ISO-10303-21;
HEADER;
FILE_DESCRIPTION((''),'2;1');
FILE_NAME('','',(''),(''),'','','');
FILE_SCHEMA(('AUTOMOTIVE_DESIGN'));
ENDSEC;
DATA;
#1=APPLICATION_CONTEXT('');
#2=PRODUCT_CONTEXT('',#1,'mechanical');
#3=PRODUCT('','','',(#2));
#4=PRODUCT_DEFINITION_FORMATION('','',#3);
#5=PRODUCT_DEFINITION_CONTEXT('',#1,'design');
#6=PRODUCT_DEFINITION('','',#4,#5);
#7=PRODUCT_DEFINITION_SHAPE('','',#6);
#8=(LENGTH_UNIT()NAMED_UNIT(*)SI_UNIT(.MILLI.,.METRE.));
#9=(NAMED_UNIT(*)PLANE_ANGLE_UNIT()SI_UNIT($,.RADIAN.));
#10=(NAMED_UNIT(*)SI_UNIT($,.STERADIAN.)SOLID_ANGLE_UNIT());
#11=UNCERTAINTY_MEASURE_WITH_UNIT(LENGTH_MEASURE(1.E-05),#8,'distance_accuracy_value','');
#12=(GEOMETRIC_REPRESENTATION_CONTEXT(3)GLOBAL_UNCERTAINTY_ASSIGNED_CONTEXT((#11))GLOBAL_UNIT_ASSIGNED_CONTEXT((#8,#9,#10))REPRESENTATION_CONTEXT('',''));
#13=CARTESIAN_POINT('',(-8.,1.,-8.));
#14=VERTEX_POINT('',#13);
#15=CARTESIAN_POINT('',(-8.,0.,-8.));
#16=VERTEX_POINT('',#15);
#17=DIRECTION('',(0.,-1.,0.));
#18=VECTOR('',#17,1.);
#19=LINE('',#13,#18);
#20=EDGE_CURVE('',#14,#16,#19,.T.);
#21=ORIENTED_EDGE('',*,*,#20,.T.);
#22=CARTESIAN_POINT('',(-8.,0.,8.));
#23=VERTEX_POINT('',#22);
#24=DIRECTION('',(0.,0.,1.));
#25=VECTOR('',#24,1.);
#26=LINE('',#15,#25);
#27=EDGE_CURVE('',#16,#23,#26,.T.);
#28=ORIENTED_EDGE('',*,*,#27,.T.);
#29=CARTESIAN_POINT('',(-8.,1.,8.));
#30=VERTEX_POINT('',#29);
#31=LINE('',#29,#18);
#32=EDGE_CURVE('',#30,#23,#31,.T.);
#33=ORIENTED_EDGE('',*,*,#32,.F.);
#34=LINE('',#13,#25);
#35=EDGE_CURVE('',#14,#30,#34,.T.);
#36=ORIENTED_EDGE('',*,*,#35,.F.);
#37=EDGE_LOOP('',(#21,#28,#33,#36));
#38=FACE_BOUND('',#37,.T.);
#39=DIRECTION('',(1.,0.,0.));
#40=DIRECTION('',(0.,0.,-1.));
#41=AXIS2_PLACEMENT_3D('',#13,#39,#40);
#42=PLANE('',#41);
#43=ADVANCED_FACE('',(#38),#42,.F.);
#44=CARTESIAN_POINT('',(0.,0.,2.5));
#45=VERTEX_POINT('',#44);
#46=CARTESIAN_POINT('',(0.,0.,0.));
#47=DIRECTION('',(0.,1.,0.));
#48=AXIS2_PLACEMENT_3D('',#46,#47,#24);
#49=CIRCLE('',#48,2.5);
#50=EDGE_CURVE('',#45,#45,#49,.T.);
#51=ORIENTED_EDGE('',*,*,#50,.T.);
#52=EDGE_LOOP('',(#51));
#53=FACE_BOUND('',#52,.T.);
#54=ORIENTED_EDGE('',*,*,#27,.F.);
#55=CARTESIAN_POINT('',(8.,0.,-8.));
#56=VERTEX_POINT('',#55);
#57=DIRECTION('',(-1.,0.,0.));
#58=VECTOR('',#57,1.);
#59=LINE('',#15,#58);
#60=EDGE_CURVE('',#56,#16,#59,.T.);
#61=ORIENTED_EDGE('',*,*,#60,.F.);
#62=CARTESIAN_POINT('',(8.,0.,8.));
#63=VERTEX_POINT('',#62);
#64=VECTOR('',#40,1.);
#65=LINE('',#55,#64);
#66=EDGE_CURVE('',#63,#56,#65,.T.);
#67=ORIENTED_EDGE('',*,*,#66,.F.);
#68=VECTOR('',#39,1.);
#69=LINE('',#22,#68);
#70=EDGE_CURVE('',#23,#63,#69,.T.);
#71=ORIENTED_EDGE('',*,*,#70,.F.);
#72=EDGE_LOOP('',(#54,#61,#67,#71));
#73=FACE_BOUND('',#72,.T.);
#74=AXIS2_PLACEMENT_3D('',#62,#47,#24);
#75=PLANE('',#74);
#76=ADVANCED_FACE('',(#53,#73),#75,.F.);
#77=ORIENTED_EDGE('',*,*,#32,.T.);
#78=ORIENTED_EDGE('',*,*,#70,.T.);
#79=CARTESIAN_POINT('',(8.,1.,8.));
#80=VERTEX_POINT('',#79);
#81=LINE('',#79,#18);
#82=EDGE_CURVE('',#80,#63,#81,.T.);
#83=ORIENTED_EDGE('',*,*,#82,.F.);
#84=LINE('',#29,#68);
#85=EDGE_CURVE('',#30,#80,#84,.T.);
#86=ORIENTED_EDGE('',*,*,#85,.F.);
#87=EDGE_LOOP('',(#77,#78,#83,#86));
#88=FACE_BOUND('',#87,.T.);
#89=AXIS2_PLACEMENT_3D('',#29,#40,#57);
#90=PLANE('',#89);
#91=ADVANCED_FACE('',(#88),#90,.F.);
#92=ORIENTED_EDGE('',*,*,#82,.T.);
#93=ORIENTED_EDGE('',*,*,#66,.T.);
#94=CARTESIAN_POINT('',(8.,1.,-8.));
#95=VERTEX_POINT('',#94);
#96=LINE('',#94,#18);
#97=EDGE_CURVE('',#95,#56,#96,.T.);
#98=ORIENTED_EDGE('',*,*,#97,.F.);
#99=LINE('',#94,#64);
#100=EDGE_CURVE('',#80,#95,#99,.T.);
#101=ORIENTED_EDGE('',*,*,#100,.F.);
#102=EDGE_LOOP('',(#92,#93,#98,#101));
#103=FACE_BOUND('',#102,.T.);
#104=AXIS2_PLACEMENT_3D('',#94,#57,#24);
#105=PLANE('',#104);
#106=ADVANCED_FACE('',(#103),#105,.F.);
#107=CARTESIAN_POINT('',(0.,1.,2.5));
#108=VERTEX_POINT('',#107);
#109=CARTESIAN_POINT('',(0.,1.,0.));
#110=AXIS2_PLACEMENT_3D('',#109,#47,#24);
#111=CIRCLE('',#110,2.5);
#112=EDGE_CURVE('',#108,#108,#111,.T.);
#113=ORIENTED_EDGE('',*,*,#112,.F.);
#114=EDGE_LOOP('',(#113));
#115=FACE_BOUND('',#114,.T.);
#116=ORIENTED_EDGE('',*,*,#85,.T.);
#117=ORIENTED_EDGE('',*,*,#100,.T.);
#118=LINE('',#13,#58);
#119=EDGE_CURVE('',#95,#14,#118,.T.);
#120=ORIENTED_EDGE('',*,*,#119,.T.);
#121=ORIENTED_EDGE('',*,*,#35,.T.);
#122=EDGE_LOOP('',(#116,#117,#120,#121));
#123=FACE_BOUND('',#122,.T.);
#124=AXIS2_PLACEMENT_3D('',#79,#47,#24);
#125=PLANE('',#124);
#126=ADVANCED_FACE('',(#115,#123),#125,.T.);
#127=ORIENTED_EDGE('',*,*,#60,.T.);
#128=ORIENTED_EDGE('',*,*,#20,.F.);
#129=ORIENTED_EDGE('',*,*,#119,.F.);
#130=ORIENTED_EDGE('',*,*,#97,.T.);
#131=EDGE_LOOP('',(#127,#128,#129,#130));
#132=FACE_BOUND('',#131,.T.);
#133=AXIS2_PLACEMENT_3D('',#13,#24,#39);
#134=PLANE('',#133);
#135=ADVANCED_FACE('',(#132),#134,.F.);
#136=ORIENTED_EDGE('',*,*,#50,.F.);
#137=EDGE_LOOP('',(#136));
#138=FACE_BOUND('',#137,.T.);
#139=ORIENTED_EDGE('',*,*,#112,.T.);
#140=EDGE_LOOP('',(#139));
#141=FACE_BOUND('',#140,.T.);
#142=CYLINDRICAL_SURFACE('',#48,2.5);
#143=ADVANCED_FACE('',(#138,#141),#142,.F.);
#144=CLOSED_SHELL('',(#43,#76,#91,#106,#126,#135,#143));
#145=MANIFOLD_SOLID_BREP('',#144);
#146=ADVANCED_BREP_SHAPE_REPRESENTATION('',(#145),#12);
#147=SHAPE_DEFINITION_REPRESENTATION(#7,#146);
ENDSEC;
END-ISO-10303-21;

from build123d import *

# Parameters (mm, degrees)
SKETCH_1_W          = 16
SKETCH_1_H          = 16
EXTRUDE_1_DEPTH     = 1
SKETCH_2_R          = 2.5
CUT_EXTRUDE_1_DEPTH = 1


with BuildPart() as part:
    # 草图1 → 凸台-拉伸1 (new body)
    with BuildSketch(Plane(origin=(0, 0, 0), x_dir=(1, 0, 0), z_dir=(0, 1, 0))):
        Rectangle(SKETCH_1_W, SKETCH_1_H)
    extrude(amount=EXTRUDE_1_DEPTH)

    # 草图2 → 切除-拉伸1 (cut)
    with BuildSketch(Plane(origin=(0, 1, 0), x_dir=(1, 0, 0), z_dir=(0, 1, 0))):
        with Locations(Location((0, 0, 0), (0, 0, 270))):
            Circle(SKETCH_2_R)
    extrude(amount=-CUT_EXTRUDE_1_DEPTH, mode=Mode.SUBTRACT)


solid = part.part
